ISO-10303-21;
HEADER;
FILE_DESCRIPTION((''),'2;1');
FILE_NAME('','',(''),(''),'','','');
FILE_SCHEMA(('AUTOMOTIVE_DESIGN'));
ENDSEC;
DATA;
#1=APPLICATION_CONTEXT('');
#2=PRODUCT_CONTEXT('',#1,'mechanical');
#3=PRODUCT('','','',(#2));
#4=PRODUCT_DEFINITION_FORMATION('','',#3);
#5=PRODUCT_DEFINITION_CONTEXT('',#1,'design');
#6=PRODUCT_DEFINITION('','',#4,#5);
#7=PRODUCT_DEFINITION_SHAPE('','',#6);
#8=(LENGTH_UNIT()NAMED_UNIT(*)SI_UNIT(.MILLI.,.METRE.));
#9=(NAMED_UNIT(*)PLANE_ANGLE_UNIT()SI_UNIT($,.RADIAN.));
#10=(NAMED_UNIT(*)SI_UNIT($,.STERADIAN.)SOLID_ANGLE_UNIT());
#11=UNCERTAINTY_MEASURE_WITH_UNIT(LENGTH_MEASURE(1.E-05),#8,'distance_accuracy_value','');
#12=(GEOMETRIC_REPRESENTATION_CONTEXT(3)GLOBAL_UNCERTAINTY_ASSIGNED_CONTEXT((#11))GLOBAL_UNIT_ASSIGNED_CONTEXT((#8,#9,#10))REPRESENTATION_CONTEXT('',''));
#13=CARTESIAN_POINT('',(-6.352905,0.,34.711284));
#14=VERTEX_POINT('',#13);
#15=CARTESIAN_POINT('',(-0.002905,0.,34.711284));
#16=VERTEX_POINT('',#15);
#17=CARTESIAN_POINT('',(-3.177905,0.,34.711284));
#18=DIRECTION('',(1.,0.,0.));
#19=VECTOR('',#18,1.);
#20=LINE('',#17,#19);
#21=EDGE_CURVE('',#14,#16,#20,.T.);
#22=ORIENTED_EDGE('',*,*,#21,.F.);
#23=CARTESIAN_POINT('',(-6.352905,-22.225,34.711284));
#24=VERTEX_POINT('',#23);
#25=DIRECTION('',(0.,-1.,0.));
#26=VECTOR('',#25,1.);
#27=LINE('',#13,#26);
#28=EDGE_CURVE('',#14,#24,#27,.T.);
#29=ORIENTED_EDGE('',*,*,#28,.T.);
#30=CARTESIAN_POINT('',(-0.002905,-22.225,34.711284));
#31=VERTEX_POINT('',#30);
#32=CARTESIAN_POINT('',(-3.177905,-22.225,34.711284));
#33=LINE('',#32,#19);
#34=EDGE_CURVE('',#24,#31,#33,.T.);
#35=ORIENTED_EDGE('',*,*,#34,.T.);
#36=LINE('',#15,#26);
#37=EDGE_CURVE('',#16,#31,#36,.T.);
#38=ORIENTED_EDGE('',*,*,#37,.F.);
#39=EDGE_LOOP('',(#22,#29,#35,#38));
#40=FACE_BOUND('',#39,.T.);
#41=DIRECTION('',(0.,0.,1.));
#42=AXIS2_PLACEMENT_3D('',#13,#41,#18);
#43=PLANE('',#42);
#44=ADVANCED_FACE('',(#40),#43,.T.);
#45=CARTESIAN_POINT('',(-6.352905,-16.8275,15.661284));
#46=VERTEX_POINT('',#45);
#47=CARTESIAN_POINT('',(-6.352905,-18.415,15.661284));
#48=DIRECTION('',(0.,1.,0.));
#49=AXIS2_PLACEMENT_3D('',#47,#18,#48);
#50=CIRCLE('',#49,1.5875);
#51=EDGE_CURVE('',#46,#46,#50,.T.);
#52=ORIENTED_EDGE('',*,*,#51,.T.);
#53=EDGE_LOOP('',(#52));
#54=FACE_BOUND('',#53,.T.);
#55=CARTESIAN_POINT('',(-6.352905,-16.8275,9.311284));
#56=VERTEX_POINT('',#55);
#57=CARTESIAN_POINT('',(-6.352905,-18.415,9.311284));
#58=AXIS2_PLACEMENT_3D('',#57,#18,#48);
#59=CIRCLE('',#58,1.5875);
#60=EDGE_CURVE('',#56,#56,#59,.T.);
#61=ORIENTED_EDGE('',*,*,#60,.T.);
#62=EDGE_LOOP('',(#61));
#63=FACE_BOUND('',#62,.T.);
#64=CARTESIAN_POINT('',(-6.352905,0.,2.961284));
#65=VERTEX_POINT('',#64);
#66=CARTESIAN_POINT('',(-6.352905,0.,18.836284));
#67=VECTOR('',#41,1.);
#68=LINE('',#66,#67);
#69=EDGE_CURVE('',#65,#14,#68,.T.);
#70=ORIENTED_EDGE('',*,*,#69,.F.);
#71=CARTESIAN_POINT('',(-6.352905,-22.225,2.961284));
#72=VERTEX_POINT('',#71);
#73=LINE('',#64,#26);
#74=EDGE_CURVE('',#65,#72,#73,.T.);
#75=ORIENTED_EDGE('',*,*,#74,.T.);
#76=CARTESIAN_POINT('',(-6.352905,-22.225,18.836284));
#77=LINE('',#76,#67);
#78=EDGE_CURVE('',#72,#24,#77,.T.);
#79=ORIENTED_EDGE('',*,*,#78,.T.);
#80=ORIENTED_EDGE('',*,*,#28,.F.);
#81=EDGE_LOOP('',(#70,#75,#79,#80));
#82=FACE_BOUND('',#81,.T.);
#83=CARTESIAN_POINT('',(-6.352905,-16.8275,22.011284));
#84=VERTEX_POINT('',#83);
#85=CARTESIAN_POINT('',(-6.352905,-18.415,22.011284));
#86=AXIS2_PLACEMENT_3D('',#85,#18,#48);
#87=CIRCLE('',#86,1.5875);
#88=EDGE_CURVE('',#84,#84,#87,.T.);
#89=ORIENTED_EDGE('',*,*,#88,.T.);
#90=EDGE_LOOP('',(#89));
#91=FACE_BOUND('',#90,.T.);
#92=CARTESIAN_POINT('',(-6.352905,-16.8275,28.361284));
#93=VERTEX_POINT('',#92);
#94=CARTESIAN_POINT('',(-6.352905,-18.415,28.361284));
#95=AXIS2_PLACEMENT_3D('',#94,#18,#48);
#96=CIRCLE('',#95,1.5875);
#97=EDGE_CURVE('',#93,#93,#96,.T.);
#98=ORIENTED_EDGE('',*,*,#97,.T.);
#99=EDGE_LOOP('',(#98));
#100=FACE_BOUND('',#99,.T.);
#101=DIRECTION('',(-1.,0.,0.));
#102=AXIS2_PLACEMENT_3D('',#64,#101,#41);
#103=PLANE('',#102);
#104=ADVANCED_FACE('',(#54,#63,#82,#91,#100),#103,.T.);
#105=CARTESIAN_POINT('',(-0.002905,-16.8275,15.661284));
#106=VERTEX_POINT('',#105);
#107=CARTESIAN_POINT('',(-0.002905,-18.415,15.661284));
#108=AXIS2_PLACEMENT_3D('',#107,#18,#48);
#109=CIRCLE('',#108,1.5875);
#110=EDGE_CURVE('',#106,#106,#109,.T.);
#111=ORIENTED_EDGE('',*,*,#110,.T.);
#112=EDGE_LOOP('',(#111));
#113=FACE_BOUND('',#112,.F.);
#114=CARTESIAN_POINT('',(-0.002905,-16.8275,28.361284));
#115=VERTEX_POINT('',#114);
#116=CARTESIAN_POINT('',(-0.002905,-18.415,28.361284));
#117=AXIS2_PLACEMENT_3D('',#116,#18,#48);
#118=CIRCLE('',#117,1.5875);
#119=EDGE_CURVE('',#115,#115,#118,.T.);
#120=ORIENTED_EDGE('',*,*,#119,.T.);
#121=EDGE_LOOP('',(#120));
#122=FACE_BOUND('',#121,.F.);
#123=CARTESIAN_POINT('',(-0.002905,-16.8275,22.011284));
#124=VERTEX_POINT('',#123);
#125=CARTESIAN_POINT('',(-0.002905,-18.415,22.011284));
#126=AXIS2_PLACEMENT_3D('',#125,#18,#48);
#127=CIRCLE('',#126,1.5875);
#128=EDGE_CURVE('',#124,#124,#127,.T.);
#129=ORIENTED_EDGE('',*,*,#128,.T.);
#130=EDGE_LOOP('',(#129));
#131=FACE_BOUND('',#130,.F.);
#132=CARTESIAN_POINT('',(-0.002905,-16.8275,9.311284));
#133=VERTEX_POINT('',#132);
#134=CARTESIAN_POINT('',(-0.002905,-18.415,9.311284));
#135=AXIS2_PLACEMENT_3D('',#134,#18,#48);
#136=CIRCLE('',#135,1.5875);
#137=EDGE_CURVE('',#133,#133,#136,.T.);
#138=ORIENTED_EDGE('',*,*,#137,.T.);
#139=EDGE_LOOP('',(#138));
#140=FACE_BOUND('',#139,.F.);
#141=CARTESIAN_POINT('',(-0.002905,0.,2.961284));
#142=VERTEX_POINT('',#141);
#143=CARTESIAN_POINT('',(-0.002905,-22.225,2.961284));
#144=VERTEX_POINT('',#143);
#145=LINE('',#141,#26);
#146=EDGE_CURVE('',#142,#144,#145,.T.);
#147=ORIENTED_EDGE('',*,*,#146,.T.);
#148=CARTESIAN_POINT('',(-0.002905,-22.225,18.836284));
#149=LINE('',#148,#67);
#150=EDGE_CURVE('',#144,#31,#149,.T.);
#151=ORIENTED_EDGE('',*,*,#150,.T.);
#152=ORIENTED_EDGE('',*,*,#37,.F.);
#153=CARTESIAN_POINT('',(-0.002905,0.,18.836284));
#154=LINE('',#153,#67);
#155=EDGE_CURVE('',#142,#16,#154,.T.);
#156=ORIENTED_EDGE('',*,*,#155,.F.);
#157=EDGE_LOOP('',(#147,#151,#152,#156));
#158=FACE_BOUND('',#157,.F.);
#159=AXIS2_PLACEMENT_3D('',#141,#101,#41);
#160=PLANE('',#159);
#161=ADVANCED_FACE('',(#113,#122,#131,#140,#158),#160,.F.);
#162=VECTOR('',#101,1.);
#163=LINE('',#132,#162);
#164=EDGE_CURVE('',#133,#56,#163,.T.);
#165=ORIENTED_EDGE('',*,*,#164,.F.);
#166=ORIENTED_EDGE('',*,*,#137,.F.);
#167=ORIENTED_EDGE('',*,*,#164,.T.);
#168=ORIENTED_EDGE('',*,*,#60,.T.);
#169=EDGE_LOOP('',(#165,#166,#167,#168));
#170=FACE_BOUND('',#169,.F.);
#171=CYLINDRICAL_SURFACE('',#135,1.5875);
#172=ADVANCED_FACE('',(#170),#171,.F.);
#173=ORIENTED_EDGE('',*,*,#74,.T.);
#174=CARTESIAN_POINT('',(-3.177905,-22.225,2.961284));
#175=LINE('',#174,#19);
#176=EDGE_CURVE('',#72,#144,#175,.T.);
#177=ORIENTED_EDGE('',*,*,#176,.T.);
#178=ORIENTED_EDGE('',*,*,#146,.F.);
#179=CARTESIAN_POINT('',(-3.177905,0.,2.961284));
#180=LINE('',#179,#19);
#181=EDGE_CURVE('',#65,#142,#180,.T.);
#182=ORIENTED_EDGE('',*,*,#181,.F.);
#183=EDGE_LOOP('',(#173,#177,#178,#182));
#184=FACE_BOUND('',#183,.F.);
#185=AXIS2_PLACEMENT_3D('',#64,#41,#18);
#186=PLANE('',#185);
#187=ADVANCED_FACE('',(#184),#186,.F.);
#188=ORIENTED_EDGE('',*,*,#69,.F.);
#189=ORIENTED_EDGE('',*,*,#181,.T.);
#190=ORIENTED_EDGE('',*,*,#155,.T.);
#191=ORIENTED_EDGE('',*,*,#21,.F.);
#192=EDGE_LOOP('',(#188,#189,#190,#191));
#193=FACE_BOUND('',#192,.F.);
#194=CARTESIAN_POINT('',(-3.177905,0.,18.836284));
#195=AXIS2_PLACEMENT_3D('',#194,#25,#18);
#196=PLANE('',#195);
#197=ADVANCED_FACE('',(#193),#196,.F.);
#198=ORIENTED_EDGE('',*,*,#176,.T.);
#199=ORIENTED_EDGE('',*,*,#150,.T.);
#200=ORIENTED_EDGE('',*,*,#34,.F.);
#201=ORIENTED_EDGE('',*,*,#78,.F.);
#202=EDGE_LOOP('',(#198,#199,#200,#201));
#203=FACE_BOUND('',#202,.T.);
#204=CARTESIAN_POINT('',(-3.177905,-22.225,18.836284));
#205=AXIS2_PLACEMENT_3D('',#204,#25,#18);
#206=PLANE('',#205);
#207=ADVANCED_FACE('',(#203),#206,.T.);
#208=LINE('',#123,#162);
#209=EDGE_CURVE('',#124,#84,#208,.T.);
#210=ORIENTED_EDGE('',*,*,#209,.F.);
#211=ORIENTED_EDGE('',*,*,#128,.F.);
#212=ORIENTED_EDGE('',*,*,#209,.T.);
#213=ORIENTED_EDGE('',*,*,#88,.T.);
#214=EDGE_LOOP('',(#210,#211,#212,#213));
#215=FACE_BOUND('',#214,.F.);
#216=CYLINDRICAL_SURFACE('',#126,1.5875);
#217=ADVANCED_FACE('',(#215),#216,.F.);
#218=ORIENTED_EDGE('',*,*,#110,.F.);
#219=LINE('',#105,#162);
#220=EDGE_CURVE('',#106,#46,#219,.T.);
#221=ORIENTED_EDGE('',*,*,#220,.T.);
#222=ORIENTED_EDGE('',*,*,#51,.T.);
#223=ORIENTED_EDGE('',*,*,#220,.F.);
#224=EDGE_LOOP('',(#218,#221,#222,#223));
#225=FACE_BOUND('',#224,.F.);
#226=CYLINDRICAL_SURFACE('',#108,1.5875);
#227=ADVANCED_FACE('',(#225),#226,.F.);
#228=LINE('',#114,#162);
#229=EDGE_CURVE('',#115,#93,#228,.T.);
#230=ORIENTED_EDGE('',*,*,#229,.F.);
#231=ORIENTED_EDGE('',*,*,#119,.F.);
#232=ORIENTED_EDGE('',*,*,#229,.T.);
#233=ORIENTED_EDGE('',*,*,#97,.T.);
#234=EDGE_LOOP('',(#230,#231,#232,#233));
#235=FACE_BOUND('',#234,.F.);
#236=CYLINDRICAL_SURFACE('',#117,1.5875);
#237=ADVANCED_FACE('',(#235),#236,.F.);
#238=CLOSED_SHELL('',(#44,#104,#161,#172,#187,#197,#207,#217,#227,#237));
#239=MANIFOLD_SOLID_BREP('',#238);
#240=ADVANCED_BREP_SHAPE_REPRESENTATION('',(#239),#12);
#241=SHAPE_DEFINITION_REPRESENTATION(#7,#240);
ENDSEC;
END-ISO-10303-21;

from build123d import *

# Parameters (mm, degrees)
F0_W     = 6.35
F0_H     = 31.75
F1_DEPTH = 22.225
F2_R     = 1.5875
F3_DEPTH = 6.35


with BuildPart() as f1:
    # F0 (on Front) → F1 (new body)
    with BuildSketch(Plane.XZ):
        with Locations((-3.177905, 18.836284)):
            Rectangle(F0_W, F0_H)
    extrude(amount=F1_DEPTH)

    # F2 (on face) → F3 (cut)
    with BuildSketch(Plane.YZ.offset(-0.002905)):
        with Locations((-18.415, 22.011284)):
            Circle(F2_R)
        with Locations((-18.415, 15.661284)):
            Circle(F2_R)
        with Locations((-18.415, 9.311284)):
            Circle(F2_R)
        with Locations((-18.415, 28.361284)):
            Circle(F2_R)
    extrude(amount=-F3_DEPTH, mode=Mode.SUBTRACT)


solid = f1.part
